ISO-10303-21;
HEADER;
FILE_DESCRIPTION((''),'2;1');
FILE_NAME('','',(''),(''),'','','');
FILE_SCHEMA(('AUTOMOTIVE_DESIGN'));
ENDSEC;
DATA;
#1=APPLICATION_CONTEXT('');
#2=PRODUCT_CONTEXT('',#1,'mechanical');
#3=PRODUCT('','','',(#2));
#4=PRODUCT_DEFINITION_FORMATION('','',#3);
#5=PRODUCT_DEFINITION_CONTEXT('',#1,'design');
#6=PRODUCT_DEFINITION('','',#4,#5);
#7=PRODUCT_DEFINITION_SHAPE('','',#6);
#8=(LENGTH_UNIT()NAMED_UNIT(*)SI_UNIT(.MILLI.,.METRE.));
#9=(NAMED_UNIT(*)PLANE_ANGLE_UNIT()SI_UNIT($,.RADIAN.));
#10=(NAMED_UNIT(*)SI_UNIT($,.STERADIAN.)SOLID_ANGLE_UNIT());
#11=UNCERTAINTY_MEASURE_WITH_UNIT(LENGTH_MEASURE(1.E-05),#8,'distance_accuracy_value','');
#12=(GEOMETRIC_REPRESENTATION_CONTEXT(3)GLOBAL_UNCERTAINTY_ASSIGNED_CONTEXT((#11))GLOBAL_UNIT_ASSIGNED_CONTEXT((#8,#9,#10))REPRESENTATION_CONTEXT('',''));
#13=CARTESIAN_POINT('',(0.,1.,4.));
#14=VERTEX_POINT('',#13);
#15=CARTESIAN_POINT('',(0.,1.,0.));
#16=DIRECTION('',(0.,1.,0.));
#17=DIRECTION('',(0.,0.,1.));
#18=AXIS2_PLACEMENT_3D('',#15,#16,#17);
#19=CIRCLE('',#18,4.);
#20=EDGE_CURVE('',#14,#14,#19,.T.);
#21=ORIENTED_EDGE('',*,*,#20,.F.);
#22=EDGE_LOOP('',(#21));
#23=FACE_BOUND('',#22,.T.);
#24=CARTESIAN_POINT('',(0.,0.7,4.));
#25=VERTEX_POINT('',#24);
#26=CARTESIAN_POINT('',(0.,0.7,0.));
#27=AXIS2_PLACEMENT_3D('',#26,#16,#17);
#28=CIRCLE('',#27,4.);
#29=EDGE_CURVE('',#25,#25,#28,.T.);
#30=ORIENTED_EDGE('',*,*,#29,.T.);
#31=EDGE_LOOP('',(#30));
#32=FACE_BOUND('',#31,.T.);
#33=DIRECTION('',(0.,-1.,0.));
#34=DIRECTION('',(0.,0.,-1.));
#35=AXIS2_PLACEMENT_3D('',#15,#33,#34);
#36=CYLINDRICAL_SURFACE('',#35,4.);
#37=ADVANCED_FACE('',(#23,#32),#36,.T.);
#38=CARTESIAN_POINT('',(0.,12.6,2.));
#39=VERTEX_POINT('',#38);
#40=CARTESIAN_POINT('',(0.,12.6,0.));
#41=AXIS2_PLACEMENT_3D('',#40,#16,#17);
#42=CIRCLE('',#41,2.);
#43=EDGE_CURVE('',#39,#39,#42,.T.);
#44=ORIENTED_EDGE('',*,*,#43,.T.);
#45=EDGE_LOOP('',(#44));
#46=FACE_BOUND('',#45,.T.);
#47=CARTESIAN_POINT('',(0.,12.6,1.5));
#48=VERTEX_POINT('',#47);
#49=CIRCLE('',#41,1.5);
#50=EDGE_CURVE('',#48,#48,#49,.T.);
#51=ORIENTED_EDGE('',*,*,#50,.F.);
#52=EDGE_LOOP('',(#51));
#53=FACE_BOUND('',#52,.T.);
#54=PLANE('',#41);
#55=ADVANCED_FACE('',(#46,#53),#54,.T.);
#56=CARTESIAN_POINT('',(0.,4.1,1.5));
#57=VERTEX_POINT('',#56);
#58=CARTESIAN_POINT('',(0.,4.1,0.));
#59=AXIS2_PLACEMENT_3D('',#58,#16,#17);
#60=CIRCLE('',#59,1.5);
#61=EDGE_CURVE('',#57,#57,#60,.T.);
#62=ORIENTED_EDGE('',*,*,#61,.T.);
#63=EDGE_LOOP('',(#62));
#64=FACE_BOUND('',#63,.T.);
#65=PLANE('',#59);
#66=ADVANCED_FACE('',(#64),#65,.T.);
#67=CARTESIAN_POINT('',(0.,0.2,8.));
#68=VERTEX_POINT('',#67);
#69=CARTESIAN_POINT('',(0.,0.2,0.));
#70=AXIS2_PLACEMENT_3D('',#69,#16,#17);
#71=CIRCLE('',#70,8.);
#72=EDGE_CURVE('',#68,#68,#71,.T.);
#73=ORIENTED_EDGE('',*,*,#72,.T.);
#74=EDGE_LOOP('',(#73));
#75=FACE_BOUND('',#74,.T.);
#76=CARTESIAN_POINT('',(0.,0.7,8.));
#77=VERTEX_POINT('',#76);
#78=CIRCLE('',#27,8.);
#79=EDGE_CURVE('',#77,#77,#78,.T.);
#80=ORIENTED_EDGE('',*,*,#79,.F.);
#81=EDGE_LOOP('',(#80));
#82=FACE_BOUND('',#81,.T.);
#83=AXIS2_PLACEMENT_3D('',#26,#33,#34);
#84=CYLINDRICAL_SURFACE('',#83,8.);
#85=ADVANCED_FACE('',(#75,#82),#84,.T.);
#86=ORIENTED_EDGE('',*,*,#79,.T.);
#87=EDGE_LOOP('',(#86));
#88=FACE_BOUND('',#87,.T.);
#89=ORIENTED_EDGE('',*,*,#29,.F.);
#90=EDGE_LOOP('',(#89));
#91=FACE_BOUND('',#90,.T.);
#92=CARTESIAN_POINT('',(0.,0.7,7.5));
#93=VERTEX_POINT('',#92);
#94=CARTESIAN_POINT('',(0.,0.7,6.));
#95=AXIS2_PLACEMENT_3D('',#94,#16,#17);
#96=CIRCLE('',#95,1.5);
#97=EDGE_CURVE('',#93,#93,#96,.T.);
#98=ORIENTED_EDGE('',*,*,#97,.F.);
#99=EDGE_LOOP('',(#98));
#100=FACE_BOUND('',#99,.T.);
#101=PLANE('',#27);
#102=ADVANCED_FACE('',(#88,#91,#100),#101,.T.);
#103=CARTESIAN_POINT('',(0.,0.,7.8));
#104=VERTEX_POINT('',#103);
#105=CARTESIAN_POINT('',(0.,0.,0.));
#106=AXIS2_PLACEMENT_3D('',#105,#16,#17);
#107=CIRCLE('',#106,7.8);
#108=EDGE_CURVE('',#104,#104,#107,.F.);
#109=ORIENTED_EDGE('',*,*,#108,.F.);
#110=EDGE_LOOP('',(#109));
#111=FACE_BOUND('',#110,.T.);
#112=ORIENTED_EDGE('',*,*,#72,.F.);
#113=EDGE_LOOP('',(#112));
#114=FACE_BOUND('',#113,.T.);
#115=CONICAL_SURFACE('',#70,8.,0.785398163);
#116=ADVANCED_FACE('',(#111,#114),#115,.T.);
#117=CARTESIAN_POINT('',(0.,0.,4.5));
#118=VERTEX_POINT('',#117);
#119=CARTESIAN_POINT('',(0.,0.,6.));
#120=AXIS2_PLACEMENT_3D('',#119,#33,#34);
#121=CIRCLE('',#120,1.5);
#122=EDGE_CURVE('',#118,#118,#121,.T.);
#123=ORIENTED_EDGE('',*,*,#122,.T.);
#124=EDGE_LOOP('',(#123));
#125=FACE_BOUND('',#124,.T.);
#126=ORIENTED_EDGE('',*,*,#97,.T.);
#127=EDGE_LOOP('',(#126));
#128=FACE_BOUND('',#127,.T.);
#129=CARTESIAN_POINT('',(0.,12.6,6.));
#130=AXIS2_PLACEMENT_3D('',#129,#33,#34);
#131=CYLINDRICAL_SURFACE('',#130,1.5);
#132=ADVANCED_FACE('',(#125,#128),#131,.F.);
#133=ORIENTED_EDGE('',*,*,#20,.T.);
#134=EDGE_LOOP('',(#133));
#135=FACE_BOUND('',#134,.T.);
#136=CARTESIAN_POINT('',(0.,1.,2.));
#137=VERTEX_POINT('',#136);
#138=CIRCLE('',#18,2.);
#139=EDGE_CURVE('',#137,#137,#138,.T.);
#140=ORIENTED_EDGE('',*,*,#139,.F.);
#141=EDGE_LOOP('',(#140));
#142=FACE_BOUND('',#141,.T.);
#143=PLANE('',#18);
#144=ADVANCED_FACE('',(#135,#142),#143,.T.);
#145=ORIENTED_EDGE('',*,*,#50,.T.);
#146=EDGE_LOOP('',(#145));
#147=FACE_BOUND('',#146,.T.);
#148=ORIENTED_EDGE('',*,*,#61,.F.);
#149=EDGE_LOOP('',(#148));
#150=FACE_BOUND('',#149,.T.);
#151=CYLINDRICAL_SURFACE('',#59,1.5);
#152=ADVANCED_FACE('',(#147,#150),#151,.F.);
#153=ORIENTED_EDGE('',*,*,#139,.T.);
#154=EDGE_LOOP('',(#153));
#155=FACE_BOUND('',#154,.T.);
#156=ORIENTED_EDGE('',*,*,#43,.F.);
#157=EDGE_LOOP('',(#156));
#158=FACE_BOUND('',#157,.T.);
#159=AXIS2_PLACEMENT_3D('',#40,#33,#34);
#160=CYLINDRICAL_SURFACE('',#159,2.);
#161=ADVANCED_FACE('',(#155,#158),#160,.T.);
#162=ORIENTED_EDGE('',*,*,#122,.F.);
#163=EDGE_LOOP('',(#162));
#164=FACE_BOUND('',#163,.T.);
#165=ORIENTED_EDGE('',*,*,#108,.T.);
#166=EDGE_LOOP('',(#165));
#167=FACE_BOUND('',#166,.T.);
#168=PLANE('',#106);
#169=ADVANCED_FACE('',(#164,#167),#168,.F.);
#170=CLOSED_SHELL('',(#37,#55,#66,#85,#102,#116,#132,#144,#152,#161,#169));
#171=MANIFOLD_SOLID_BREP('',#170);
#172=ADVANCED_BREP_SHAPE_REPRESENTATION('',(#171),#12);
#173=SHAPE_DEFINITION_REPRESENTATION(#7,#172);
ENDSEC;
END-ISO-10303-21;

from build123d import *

# Parameters (mm, degrees)
SKETCH1_R           = 8
BOSS_EXTRUDE1_DEPTH = 0.7
SKETCH2_R           = 4
BOSS_EXTRUDE2_DEPTH = 0.3
SKETCH3_R           = 2
BOSS_EXTRUDE3_DEPTH = 11.6
SKETCH4_R           = 1.5
CUT_EXTRUDE1_DEPTH  = 8.5
SKETCH5_R           = 1.5
CUT_EXTRUDE2_DEPTH  = 17.933989489
CHAMFER1_SIZE       = 0.2


with BuildPart() as part:
    # Sketch1 → Boss-Extrude1 (new body)
    with BuildSketch(Plane(origin=(0, 0, 0), x_dir=(1, 0, 0), z_dir=(0, 1, 0))):
        with Locations(Location((0, 0, 0), (0, 0, 270))):
            Circle(SKETCH1_R)
    extrude(amount=BOSS_EXTRUDE1_DEPTH)

    # Sketch2 → Boss-Extrude2 (add)
    with BuildSketch(Plane(origin=(0, 0.7, 0), x_dir=(1, 0, 0), z_dir=(0, 1, 0))):
        with Locations(Location((0, 0, 0), (0, 0, 270))):
            Circle(SKETCH2_R)
    extrude(amount=BOSS_EXTRUDE2_DEPTH)

    # Sketch3 → Boss-Extrude3 (add)
    with BuildSketch(Plane(origin=(0, 1, 0), x_dir=(1, 0, 0), z_dir=(0, 1, 0))):
        with Locations(Location((0, 0, 0), (0, 0, 270))):
            Circle(SKETCH3_R)
    extrude(amount=BOSS_EXTRUDE3_DEPTH)

    # Sketch4 → Cut-Extrude1 (cut)
    with BuildSketch(Plane(origin=(0, 12.6, 0), x_dir=(1, 0, 0), z_dir=(0, 1, 0))):
        with Locations(Location((0, 0, 0), (0, 0, 270))):
            Circle(SKETCH4_R)
    extrude(amount=-CUT_EXTRUDE1_DEPTH, mode=Mode.SUBTRACT)

    # Sketch5 → Cut-Extrude2 (cut, through all)
    with BuildSketch(Plane.XZ):
        with Locations(Location((0, 6, 0), (0, 0, 270))):
            Circle(SKETCH5_R)
    extrude(amount=-CUT_EXTRUDE2_DEPTH, mode=Mode.SUBTRACT)

    # Chamfer1
    chamfer1_edges = [part.edges().sort_by_distance(p)[0] for p in [
        (0, 0, -8),
    ]]
    chamfer(chamfer1_edges, length=CHAMFER1_SIZE)


solid = part.part
